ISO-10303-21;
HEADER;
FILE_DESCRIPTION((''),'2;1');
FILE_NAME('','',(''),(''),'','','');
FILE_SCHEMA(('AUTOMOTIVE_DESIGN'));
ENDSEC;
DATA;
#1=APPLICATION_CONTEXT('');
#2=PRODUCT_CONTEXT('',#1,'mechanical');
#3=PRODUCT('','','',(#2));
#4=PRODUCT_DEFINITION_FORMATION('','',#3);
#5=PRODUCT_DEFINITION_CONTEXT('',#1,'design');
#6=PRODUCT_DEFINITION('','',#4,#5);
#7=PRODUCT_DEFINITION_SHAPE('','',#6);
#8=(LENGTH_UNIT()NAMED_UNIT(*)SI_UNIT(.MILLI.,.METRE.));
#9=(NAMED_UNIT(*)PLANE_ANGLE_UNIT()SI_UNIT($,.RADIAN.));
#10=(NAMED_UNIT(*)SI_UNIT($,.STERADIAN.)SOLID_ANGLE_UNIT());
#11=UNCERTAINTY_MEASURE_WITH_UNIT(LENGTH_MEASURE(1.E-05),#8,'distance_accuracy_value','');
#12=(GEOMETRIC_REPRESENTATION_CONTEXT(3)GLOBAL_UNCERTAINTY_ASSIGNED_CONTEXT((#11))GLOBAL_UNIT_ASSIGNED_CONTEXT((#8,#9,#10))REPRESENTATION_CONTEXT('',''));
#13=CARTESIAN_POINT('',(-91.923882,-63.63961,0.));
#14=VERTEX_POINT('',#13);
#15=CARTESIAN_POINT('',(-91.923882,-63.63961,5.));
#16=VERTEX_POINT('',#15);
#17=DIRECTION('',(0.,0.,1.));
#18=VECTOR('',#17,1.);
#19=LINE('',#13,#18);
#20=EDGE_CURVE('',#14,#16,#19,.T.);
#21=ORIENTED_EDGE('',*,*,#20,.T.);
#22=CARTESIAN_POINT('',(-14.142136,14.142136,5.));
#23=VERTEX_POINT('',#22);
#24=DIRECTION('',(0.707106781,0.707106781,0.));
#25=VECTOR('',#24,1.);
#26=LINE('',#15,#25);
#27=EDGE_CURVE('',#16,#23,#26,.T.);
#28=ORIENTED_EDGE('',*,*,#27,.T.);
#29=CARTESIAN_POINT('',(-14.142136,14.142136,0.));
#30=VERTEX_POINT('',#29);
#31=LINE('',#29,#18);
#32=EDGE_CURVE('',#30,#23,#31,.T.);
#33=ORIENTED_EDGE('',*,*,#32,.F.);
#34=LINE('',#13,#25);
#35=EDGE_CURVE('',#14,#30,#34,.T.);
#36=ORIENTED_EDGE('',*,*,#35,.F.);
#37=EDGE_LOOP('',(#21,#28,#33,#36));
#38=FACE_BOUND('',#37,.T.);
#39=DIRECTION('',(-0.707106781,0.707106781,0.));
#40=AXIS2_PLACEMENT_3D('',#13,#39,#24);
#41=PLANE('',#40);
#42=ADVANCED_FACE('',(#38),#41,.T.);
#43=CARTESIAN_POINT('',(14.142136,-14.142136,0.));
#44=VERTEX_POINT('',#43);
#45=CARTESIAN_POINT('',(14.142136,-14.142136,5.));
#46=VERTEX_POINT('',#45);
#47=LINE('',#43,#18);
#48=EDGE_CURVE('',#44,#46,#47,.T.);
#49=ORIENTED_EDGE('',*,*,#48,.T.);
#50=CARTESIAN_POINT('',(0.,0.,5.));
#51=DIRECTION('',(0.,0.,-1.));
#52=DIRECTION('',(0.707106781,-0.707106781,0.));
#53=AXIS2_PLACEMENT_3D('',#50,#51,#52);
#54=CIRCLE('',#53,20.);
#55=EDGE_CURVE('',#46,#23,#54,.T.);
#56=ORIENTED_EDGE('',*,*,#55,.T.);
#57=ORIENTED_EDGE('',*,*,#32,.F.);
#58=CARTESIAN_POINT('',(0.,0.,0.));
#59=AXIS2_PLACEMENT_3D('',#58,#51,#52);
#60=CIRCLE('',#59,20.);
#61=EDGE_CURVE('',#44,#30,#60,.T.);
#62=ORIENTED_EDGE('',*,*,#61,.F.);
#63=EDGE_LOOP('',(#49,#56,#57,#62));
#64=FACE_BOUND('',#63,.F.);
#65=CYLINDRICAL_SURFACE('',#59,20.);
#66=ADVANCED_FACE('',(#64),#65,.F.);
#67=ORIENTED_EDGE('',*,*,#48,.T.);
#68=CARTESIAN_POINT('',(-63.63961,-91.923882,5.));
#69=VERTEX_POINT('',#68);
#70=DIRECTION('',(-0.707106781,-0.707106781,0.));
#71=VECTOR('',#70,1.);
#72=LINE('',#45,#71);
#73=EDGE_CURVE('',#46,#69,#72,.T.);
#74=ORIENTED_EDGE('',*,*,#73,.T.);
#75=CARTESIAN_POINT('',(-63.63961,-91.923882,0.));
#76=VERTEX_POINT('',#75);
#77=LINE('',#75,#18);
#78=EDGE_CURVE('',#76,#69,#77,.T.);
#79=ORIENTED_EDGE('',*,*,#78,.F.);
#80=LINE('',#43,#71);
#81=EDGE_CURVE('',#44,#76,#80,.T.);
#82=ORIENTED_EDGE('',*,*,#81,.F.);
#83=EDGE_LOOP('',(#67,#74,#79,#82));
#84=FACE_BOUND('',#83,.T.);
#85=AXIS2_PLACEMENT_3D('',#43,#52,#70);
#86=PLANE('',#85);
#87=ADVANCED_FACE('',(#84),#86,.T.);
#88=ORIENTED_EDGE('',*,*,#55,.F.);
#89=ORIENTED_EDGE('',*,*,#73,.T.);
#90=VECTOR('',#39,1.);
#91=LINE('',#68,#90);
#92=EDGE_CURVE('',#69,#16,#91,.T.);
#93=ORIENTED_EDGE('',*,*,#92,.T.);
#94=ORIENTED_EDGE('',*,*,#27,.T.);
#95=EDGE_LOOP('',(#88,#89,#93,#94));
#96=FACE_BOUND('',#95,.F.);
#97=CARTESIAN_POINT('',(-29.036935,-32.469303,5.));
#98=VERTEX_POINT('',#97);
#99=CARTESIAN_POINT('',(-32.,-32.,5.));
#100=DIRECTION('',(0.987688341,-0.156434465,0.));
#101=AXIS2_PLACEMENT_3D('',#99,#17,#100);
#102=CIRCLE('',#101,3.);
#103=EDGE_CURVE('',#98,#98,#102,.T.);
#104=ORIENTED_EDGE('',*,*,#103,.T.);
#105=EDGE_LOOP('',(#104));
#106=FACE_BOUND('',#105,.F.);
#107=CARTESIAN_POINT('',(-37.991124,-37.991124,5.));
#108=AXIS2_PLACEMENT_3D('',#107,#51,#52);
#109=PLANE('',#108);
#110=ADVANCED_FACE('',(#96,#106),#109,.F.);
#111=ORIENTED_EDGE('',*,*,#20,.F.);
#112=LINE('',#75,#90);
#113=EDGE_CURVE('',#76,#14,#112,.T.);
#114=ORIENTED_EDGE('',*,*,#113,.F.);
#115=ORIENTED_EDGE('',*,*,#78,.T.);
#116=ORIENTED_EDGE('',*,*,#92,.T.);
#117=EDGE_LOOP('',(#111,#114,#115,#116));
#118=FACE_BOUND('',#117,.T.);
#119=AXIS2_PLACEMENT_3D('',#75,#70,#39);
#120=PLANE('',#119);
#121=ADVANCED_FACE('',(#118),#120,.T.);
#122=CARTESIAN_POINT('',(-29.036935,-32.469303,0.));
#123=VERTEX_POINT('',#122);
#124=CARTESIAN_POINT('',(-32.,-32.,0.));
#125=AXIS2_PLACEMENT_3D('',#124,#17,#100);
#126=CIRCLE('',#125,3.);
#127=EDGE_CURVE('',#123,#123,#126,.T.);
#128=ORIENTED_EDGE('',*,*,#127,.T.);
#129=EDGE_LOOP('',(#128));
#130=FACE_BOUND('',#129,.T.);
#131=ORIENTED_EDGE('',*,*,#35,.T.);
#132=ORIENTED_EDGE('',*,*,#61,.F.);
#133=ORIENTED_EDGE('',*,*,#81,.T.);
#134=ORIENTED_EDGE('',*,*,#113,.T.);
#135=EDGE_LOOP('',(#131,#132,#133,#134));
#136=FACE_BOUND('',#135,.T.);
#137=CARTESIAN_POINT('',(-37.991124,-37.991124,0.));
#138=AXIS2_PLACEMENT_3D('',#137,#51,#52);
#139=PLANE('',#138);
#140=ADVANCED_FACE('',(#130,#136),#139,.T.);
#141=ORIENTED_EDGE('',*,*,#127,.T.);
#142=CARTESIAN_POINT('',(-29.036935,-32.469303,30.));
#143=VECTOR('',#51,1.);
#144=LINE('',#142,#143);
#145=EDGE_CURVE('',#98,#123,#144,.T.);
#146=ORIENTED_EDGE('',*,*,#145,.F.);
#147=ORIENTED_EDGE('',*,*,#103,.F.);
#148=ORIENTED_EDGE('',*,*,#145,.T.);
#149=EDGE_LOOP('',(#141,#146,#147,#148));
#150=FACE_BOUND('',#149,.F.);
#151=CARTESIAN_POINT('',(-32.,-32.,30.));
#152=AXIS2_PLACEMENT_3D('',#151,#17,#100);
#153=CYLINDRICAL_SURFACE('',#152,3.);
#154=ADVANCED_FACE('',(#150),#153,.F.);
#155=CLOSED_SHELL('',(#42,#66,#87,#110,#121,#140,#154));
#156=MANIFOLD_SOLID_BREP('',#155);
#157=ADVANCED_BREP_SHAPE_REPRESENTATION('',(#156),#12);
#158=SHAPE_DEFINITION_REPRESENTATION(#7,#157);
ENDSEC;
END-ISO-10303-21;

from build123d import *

# Parameters (mm, degrees)
SKETCH010_AS_DRAWN_R                      = 3
EXTRUDE009_DEPTH                          = 40
EXTRUDE009_ONTO_SKETCH010_PLACEMENT_ANGLE = 9
EXTRUDE001_DEPTH                          = 5
EXTRUDE001_PLACEMENT_ANGLE                = 45


with BuildPart() as extrude009:
    # Sketch010 as drawn → Extrude009 (new)
    with BuildSketch(Plane.XY):
        Circle(SKETCH010_AS_DRAWN_R)
    extrude(amount=-EXTRUDE009_DEPTH)


with BuildPart() as extrude009_1:
    # Extrude009 onto Sketch010 placement: moved
    add(extrude009.part.moved(Location((-32, -32, 30))).rotate(Axis((-32, -32, 30), (0, 0, -1)), EXTRUDE009_ONTO_SKETCH010_PLACEMENT_ANGLE))


with BuildPart() as cut003:
    # Sketch001 (on Face7 of Extrude) → Extrude001 (new body)
    with BuildSketch(Plane(origin=(0, 0, 0), x_dir=(1, 0, 0), z_dir=(0, 0, -1))):
        with BuildLine():
            Line((20, 0), (20, 110))
            Line((20, 110), (-20, 110))
            Line((-20, 110), (-20, 0))
            ThreePointArc((20, 0), (0, 20), (-20, 0))
        make_face()
    extrude(amount=-EXTRUDE001_DEPTH)


with BuildPart() as cut003_1:
    # Extrude001 placement: moved
    add(cut003.part.rotate(Axis((0, 0, 0), (0, 0, -1)), EXTRUDE001_PLACEMENT_ANGLE))

    # Cut003: cut Extrude009
    add(extrude009_1.part, mode=Mode.SUBTRACT)


solid = cut003_1.part
